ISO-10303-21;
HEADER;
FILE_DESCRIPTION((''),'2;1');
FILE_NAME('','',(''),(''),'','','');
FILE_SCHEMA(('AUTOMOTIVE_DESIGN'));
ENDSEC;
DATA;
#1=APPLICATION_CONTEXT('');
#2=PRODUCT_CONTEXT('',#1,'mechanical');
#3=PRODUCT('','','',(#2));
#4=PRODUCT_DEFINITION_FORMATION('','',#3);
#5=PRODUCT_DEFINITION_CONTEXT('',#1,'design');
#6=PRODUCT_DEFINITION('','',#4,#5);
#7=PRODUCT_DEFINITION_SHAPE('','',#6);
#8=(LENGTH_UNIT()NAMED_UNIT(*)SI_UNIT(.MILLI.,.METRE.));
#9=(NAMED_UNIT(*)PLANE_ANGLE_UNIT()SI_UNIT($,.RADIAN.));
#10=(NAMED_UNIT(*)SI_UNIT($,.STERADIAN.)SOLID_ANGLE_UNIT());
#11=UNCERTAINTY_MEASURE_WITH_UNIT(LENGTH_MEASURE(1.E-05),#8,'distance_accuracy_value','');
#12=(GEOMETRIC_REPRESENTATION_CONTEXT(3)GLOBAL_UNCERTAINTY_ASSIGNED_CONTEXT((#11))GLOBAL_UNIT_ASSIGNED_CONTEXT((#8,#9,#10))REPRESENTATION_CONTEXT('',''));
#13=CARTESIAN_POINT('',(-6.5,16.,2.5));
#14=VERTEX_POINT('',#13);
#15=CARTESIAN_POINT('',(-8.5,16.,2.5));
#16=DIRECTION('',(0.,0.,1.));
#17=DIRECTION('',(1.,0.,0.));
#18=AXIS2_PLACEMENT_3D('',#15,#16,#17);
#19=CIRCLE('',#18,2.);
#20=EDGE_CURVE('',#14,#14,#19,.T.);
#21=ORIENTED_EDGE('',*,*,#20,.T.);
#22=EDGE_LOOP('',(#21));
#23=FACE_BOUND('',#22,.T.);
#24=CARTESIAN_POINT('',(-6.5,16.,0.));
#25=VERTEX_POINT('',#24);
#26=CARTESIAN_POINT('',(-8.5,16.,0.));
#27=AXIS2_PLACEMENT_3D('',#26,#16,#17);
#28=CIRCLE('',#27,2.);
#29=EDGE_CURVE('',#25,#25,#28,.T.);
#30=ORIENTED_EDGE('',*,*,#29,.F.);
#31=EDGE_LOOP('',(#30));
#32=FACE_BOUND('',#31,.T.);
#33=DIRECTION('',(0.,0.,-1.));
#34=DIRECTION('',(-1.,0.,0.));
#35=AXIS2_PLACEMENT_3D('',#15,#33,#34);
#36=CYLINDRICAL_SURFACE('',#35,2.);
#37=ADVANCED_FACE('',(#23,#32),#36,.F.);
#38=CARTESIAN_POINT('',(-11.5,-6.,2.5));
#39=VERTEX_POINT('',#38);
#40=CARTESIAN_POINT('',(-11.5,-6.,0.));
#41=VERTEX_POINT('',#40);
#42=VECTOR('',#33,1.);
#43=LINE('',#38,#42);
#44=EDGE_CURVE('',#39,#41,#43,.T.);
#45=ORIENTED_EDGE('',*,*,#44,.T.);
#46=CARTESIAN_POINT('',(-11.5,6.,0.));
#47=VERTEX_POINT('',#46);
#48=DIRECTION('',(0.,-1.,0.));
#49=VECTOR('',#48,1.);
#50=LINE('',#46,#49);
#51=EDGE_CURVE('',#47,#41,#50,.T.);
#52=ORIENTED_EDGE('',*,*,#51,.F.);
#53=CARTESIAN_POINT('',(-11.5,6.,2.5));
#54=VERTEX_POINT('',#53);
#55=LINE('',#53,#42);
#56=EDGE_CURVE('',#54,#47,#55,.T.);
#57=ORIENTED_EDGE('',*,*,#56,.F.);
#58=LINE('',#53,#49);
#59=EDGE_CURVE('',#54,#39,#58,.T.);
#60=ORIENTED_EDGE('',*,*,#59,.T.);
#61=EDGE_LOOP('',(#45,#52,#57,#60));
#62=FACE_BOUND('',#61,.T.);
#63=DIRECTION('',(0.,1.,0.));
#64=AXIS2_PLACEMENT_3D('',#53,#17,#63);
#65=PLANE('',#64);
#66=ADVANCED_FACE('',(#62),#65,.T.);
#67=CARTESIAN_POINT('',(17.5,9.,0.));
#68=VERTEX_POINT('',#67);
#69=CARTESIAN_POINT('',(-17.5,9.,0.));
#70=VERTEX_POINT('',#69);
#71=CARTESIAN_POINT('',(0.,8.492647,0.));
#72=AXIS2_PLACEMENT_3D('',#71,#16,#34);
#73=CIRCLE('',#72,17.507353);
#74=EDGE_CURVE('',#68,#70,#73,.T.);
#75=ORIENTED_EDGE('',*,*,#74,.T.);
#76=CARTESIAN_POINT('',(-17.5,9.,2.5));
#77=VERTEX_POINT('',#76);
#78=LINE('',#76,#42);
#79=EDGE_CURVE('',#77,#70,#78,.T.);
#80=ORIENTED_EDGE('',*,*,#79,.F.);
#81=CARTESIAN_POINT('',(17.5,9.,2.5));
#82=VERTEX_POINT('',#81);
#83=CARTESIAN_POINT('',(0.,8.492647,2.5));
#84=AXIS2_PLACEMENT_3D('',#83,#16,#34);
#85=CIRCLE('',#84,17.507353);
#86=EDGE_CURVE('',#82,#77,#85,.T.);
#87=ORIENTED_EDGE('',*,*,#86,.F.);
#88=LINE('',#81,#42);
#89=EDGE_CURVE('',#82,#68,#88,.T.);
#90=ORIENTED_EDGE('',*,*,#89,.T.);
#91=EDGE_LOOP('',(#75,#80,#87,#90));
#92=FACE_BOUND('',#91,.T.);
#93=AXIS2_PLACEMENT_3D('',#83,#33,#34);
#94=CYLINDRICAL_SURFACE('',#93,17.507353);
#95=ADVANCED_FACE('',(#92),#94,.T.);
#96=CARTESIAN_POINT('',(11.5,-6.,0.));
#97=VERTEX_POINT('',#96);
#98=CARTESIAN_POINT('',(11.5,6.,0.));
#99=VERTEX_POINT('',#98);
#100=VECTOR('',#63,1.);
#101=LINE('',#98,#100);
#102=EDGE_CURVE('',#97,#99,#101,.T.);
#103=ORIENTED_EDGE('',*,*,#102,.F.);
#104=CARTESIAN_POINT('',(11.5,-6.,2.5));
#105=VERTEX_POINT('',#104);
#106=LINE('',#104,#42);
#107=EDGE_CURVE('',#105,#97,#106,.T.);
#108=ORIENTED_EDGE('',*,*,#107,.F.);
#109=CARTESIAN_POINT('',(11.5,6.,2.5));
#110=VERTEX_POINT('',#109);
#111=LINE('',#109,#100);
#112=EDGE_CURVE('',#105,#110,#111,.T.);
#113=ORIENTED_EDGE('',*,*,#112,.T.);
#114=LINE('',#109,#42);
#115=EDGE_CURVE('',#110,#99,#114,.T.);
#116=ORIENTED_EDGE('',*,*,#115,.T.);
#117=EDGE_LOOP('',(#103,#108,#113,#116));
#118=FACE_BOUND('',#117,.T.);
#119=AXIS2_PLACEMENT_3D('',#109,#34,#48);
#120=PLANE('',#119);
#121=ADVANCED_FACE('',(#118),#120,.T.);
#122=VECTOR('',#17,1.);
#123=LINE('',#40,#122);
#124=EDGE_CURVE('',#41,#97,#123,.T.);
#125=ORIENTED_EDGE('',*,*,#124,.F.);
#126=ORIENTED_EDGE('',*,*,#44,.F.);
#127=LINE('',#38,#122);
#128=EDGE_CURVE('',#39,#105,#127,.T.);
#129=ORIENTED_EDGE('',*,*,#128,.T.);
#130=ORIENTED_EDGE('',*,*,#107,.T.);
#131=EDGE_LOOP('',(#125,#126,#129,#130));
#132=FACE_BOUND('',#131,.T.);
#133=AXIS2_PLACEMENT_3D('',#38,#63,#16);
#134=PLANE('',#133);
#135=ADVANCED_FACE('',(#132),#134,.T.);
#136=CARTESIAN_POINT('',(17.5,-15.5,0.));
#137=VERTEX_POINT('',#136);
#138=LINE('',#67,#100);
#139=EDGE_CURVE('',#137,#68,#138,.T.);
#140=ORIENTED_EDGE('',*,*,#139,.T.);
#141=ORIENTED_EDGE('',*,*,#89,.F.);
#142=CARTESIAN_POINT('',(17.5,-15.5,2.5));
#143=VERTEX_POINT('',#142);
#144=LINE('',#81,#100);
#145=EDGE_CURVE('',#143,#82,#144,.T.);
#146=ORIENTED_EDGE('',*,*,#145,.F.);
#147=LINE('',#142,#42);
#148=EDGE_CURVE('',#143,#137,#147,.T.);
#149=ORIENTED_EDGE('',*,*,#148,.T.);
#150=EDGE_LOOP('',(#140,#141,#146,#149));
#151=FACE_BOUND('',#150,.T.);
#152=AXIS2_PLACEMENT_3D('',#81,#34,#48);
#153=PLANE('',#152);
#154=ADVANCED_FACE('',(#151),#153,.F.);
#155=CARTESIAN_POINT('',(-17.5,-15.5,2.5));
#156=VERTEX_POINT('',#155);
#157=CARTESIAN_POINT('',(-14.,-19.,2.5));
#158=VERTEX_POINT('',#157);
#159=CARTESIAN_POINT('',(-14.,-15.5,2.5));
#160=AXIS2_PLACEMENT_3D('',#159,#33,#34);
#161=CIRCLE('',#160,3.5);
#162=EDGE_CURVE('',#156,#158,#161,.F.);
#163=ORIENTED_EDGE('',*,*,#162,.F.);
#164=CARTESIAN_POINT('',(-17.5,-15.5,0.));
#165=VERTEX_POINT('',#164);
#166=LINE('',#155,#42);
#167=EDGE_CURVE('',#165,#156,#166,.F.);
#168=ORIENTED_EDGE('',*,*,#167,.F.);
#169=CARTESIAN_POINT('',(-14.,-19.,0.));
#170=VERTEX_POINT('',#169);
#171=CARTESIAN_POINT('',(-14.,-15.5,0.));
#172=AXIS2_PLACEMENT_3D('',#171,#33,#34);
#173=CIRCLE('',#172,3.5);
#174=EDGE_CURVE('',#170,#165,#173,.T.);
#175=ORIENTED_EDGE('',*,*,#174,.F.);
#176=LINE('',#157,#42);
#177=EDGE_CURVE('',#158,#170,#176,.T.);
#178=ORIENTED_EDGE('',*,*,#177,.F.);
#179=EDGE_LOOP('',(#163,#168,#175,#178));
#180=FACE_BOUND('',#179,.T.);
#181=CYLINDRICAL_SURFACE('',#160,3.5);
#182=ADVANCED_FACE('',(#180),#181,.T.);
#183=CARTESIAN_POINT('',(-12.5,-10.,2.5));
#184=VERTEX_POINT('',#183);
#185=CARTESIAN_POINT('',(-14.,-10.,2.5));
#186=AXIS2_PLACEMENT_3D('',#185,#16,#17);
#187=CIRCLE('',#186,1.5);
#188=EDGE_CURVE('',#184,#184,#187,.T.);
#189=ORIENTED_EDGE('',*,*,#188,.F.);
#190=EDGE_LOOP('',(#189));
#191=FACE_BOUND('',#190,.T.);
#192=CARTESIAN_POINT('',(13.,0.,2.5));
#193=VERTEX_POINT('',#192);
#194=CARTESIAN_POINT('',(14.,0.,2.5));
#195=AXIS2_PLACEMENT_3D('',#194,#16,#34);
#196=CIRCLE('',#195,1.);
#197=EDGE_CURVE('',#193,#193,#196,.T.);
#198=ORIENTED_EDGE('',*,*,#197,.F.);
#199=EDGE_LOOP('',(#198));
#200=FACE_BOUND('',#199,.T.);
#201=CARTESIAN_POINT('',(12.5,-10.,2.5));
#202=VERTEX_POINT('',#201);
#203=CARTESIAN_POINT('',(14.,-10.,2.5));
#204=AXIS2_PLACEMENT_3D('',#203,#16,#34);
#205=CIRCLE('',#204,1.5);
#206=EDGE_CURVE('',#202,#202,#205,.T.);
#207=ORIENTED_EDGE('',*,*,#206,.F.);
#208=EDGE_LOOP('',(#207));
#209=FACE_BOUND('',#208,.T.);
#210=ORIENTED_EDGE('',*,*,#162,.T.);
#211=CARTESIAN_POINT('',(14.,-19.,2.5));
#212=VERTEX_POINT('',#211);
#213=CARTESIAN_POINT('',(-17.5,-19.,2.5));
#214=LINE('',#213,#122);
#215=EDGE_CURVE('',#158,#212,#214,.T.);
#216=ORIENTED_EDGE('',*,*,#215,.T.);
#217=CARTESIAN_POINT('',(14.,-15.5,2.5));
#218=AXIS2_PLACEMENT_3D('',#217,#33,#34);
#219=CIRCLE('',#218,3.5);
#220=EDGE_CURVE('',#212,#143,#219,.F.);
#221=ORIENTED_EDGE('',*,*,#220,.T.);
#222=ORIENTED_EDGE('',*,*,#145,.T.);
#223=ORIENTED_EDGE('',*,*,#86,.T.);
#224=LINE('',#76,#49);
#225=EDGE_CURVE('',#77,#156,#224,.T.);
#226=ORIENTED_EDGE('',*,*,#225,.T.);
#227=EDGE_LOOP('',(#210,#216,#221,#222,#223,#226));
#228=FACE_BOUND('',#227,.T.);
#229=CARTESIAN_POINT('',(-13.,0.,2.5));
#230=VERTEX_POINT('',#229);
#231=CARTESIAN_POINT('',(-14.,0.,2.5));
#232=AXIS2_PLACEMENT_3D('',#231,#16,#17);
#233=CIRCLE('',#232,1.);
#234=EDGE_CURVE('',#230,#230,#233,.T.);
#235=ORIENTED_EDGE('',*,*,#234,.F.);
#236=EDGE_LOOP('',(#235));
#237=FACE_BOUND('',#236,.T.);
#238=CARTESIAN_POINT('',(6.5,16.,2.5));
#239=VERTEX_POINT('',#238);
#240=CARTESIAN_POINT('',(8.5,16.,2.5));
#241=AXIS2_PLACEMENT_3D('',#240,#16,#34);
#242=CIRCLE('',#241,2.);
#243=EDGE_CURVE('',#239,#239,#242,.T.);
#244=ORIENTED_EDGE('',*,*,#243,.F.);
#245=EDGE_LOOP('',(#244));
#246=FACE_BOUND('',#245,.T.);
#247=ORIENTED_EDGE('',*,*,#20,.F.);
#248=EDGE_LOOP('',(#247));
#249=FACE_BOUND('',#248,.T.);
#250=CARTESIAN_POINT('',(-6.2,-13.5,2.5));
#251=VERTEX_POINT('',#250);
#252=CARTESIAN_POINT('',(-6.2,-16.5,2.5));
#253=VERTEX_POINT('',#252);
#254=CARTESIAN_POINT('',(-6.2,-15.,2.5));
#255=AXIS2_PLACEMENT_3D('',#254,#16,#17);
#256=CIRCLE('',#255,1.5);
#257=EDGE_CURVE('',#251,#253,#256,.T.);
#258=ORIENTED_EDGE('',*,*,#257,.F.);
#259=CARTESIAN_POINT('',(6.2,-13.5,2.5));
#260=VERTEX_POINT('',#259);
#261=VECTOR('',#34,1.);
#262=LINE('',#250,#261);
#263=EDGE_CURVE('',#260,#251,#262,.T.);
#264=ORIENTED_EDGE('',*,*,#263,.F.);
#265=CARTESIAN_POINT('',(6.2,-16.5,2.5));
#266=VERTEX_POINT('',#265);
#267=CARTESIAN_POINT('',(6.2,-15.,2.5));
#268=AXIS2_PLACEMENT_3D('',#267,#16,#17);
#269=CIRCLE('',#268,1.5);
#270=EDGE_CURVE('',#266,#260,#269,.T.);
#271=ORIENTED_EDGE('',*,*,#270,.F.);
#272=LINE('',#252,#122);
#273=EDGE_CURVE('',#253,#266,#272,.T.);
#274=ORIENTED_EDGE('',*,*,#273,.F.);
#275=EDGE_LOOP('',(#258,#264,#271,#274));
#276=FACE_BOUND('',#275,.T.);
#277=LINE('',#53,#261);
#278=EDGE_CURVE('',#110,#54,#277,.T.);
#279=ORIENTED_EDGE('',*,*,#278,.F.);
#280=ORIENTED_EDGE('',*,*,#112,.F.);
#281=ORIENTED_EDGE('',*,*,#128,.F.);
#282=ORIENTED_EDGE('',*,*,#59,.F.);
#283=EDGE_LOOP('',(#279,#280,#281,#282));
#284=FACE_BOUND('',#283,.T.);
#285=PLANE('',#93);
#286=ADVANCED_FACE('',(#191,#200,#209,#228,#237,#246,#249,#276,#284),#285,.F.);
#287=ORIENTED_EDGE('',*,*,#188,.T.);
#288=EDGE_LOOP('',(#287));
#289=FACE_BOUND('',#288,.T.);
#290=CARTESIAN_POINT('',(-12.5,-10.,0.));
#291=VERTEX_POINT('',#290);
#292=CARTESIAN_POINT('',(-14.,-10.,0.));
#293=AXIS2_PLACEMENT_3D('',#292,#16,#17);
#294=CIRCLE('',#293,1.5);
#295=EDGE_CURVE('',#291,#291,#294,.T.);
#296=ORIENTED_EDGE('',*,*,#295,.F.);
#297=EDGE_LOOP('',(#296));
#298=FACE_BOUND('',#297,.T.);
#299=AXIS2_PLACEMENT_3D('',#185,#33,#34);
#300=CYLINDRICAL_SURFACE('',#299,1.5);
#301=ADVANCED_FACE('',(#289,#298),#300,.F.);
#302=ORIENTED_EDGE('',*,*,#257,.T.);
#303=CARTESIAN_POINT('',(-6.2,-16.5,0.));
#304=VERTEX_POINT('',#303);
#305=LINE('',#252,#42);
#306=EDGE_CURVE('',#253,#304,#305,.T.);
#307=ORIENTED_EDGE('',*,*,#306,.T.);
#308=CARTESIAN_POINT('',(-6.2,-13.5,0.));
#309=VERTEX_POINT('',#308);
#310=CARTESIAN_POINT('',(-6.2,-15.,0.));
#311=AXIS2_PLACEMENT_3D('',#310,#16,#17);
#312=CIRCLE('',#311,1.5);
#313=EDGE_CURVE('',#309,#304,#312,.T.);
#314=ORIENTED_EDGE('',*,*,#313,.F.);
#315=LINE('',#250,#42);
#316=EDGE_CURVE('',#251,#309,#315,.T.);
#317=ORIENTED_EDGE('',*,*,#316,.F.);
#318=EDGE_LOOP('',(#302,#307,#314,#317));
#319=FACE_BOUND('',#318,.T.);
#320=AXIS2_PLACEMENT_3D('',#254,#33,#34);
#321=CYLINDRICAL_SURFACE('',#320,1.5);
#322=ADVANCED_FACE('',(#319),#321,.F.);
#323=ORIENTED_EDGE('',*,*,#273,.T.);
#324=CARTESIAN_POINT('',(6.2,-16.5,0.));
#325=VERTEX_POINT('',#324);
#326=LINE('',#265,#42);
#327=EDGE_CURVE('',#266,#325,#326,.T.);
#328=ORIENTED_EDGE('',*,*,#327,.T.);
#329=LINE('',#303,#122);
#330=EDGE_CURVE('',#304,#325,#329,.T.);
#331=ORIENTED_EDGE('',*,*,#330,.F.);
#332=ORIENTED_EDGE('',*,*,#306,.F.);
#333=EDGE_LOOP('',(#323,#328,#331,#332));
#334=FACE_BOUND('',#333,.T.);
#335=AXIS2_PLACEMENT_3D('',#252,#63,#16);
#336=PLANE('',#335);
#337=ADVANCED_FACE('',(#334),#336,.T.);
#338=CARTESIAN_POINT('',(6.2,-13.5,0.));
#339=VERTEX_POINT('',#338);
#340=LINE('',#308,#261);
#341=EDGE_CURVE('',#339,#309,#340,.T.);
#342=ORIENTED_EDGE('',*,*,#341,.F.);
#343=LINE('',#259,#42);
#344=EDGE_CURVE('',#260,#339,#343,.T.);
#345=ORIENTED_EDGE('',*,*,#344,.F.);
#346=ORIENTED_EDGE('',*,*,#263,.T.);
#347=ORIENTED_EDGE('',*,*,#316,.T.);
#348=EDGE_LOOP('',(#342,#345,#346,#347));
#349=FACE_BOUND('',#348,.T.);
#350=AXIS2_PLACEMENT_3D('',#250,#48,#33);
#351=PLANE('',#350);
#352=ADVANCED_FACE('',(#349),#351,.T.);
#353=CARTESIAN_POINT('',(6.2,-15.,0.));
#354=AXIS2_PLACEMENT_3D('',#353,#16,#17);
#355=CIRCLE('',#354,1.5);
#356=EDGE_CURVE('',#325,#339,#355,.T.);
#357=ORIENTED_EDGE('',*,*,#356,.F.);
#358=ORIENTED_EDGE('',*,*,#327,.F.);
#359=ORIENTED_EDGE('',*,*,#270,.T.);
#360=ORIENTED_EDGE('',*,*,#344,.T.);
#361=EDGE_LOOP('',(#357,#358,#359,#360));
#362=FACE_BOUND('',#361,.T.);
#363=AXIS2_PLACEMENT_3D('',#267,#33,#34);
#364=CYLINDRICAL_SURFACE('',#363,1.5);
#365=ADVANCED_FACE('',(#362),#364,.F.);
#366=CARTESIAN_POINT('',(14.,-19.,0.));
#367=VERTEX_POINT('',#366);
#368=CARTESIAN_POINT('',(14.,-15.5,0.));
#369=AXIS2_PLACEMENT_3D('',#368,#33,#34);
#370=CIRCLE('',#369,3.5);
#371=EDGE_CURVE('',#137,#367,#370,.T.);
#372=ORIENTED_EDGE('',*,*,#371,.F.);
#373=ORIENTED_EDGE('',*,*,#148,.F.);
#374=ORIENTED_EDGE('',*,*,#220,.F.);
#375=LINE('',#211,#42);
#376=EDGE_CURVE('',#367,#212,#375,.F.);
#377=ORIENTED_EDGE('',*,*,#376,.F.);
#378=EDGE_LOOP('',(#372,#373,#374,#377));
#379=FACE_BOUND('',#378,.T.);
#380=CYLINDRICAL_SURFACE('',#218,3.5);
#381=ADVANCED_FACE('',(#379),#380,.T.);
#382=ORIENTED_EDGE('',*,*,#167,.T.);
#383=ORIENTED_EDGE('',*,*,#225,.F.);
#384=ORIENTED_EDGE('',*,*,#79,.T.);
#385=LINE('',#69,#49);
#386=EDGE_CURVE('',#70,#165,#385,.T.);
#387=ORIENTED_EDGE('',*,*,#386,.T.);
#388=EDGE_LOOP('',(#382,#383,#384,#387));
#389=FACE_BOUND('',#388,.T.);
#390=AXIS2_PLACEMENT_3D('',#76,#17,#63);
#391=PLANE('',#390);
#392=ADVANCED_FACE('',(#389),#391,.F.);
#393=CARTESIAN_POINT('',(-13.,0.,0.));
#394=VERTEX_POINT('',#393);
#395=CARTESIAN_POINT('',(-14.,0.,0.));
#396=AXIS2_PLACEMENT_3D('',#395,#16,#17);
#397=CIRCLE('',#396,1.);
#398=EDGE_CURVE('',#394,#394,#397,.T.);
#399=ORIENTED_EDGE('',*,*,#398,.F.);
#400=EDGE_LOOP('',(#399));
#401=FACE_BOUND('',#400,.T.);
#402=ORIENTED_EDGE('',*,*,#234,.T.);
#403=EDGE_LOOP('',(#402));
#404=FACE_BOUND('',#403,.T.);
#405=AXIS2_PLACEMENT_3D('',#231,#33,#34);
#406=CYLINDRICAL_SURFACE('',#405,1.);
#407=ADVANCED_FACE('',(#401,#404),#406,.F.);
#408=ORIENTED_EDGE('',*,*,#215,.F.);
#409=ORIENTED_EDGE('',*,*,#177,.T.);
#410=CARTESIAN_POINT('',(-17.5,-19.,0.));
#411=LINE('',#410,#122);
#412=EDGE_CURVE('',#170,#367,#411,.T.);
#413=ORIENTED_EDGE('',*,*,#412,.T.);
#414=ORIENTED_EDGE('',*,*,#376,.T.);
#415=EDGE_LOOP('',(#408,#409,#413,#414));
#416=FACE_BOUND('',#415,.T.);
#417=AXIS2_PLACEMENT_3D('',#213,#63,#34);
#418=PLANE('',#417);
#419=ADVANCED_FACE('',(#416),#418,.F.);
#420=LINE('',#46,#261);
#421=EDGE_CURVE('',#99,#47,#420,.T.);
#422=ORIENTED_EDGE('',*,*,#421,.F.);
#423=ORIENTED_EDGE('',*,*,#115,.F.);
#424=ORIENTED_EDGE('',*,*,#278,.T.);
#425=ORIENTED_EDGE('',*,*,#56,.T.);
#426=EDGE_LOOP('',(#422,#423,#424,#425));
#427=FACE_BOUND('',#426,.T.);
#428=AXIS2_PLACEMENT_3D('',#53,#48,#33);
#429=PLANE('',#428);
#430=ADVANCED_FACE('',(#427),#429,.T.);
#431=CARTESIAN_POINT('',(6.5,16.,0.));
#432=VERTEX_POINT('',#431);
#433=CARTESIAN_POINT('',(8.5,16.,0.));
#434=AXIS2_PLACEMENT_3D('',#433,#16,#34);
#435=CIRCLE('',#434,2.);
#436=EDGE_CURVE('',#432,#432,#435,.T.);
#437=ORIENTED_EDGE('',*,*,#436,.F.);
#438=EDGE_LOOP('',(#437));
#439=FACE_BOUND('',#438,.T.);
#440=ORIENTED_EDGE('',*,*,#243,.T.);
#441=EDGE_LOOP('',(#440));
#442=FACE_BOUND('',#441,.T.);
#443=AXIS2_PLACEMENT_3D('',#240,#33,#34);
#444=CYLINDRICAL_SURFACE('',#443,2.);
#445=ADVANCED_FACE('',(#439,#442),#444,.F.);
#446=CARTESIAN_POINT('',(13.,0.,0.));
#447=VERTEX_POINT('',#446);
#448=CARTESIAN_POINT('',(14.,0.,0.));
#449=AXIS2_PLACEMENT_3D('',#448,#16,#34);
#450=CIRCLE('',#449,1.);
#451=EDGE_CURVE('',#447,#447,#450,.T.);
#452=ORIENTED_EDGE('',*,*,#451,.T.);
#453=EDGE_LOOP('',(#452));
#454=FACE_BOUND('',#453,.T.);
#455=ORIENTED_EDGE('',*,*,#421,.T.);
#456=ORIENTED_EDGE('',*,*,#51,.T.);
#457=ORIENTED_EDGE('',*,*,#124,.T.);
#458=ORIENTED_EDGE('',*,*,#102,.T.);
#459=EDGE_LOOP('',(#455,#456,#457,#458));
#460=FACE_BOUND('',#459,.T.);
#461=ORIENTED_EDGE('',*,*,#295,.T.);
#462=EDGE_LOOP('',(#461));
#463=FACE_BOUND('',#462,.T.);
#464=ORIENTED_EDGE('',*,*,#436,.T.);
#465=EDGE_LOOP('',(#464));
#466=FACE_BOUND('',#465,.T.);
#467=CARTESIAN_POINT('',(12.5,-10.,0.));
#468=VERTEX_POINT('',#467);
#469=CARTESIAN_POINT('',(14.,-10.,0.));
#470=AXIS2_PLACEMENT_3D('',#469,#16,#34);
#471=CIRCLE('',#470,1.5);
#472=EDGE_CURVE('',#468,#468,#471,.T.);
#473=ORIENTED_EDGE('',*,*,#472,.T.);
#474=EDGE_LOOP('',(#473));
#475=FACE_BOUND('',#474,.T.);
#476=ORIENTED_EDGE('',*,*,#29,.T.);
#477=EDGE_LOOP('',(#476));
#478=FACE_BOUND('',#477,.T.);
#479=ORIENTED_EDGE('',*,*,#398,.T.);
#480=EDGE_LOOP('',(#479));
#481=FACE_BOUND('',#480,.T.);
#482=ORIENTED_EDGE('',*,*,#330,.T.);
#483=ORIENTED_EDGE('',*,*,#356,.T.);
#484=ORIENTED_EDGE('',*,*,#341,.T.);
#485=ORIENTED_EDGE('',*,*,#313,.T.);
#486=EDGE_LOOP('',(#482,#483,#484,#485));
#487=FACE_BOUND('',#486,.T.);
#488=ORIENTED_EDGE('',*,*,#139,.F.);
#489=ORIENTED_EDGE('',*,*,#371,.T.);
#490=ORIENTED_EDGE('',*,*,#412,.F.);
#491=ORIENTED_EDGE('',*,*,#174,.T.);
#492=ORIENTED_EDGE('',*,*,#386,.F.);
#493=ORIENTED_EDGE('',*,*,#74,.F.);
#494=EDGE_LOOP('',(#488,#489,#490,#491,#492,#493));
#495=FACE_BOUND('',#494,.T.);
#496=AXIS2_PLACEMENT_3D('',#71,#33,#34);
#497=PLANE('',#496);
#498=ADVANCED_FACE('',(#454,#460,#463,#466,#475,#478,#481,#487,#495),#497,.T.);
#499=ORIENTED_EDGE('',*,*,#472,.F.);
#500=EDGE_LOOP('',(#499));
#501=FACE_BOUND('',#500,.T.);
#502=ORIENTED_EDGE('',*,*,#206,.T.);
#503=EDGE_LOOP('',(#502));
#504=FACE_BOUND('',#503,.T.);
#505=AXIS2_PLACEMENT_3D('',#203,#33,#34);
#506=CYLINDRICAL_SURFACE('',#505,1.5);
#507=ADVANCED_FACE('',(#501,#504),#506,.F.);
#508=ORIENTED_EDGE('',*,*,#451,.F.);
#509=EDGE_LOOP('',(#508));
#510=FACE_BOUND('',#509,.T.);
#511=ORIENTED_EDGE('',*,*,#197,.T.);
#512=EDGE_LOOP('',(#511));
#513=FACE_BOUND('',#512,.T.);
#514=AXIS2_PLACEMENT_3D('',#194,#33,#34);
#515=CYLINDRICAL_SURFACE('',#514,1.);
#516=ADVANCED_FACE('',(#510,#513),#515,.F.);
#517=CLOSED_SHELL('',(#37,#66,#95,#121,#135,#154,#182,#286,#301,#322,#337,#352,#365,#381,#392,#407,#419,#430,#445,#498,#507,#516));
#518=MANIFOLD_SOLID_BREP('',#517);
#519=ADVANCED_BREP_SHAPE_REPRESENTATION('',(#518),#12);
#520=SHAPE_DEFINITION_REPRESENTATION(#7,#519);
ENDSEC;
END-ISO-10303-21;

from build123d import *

# Parameters (mm, degrees)
SKETCH1_R           = 1
SKETCH1_R_2         = 1.5
SKETCH1_R_3         = 2
SKETCH1_W           = 23
SKETCH1_H           = 12
BOSS_EXTRUDE1_DEPTH = 2.5
FILLET1_R           = 3.5


with BuildPart() as part:
    # Sketch1 → Boss-Extrude1 (new body)
    with BuildSketch(Plane.XY):
        with BuildLine():
            Line((-17.5, 9), (-17.5, -19))
            Line((-17.5, -19), (17.5, -19))
            Line((17.5, -19), (17.5, 9))
            ThreePointArc((17.5, 9), (0, 26), (-17.5, 9))
        make_face()
        with Locations((-14, 0)):
            Circle(SKETCH1_R, mode=Mode.SUBTRACT)
        with Locations((-14, -10)):
            Circle(SKETCH1_R_2, mode=Mode.SUBTRACT)
        with Locations((-8.5, 16)):
            Circle(SKETCH1_R_3, mode=Mode.SUBTRACT)
        with Locations((14, -10)):
            Circle(SKETCH1_R_2, mode=Mode.SUBTRACT)
        with Locations((14, 0)):
            Circle(SKETCH1_R, mode=Mode.SUBTRACT)
        with Locations((8.5, 16)):
            Circle(SKETCH1_R_3, mode=Mode.SUBTRACT)
        Rectangle(SKETCH1_W, SKETCH1_H, mode=Mode.SUBTRACT)
        with BuildLine():
            Line((-6.2, -13.5), (6.2, -13.5))
            ThreePointArc((6.2, -13.5), (7.7, -15), (6.2, -16.5))
            Line((6.2, -16.5), (-6.2, -16.5))
            ThreePointArc((-6.2, -16.5), (-7.7, -15), (-6.2, -13.5))
        make_face(mode=Mode.SUBTRACT)
    extrude(amount=BOSS_EXTRUDE1_DEPTH)

    # Fillet1
    fillet1_edges = [part.edges().sort_by_distance(p)[0] for p in [
        (17.5, -19, 1.25),
        (-17.5, -19, 1.25),
    ]]
    fillet(fillet1_edges, radius=FILLET1_R)


solid = part.part
